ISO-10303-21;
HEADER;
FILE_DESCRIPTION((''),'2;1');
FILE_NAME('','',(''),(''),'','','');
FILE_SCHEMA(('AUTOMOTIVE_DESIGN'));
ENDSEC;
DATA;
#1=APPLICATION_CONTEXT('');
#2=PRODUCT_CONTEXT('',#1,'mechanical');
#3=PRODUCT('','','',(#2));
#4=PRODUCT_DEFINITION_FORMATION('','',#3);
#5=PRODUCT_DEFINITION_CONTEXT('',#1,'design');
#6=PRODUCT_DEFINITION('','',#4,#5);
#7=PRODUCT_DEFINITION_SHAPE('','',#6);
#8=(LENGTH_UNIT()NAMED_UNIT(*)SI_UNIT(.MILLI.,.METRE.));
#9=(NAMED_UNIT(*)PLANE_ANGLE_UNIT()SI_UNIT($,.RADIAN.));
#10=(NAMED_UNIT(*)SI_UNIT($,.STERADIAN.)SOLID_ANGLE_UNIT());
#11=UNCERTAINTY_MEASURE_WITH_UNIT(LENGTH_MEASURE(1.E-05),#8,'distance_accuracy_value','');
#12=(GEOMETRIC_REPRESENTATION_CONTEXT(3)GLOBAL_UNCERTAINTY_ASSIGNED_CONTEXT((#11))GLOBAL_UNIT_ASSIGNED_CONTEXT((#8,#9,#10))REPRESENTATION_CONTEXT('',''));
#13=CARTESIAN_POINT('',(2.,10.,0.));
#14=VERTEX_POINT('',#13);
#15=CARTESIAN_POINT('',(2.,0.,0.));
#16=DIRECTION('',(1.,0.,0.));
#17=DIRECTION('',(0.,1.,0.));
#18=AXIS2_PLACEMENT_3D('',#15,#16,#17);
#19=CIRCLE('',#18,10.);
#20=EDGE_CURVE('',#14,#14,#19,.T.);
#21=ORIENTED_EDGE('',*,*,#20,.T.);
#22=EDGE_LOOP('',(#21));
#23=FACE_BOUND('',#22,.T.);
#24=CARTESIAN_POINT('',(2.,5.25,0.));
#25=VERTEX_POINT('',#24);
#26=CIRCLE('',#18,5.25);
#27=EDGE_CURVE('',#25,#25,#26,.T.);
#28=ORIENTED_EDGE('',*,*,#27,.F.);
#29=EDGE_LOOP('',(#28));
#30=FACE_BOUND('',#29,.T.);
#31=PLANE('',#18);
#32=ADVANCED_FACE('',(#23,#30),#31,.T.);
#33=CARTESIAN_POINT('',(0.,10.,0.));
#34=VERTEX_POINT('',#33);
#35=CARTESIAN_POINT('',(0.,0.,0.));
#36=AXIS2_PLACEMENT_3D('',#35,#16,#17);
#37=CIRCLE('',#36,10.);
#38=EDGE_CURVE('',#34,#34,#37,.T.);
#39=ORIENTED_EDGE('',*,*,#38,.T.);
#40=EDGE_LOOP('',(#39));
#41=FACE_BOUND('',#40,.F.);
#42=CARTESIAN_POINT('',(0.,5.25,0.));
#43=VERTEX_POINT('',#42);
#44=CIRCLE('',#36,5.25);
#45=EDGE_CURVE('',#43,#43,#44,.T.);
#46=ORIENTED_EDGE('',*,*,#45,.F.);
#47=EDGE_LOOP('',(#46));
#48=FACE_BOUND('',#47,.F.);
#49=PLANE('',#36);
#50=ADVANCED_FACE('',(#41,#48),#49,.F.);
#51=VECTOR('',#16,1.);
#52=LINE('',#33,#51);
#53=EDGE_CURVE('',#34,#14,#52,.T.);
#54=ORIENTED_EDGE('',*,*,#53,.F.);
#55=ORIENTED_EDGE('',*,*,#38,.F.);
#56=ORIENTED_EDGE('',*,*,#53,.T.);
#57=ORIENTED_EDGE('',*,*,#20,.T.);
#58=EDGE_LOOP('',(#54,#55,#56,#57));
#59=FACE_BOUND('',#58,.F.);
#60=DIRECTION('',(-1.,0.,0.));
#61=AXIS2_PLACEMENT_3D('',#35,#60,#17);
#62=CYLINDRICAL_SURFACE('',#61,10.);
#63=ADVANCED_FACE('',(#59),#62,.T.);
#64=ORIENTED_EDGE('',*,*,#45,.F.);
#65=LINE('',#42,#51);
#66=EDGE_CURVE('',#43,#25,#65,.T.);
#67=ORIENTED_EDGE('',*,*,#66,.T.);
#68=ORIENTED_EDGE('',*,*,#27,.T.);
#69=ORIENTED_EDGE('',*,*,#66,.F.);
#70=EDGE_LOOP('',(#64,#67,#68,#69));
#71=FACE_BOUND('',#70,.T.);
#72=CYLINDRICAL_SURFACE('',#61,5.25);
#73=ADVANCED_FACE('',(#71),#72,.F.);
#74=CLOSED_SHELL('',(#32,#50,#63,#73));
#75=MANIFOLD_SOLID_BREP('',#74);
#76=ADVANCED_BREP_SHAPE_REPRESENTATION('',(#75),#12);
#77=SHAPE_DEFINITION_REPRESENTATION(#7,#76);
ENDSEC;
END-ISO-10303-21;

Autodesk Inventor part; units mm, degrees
ref_plane "YZ Plane" through (0, 0, 0) normal (1, 0, 0) x (0, 1, 0)
ref_plane "XZ Plane" through (0, 0, 0) normal (0, 1, 0) x (-1, 0, 0)
sketch "Sketch" plane through (0, 0, 0) normal (1, 0, 0) x (0, 1, 0)
  circle A0 centre (0, 0) radius 10
  circle A1 centre (0, 0) radius 5.25
  dimension "d0" = 10.5
  dimension "d1" = 20
extrude "Body" add sketch "Sketch" along normal blind 2
ref_plane "Work Plane1" through (0, 0, 0) normal (0, 0, 1) x (1, 0, 0)
equation "\"d0\" = SD1"
equation "\"d1\" = SD2"
equation "\"d2\" = SD"
equation "\"SD1\" = 10.5"
equation "\"SD2\" = 20"
equation "\"SD\" = 2"
properties part number "100020" material "Steel, Mild"
